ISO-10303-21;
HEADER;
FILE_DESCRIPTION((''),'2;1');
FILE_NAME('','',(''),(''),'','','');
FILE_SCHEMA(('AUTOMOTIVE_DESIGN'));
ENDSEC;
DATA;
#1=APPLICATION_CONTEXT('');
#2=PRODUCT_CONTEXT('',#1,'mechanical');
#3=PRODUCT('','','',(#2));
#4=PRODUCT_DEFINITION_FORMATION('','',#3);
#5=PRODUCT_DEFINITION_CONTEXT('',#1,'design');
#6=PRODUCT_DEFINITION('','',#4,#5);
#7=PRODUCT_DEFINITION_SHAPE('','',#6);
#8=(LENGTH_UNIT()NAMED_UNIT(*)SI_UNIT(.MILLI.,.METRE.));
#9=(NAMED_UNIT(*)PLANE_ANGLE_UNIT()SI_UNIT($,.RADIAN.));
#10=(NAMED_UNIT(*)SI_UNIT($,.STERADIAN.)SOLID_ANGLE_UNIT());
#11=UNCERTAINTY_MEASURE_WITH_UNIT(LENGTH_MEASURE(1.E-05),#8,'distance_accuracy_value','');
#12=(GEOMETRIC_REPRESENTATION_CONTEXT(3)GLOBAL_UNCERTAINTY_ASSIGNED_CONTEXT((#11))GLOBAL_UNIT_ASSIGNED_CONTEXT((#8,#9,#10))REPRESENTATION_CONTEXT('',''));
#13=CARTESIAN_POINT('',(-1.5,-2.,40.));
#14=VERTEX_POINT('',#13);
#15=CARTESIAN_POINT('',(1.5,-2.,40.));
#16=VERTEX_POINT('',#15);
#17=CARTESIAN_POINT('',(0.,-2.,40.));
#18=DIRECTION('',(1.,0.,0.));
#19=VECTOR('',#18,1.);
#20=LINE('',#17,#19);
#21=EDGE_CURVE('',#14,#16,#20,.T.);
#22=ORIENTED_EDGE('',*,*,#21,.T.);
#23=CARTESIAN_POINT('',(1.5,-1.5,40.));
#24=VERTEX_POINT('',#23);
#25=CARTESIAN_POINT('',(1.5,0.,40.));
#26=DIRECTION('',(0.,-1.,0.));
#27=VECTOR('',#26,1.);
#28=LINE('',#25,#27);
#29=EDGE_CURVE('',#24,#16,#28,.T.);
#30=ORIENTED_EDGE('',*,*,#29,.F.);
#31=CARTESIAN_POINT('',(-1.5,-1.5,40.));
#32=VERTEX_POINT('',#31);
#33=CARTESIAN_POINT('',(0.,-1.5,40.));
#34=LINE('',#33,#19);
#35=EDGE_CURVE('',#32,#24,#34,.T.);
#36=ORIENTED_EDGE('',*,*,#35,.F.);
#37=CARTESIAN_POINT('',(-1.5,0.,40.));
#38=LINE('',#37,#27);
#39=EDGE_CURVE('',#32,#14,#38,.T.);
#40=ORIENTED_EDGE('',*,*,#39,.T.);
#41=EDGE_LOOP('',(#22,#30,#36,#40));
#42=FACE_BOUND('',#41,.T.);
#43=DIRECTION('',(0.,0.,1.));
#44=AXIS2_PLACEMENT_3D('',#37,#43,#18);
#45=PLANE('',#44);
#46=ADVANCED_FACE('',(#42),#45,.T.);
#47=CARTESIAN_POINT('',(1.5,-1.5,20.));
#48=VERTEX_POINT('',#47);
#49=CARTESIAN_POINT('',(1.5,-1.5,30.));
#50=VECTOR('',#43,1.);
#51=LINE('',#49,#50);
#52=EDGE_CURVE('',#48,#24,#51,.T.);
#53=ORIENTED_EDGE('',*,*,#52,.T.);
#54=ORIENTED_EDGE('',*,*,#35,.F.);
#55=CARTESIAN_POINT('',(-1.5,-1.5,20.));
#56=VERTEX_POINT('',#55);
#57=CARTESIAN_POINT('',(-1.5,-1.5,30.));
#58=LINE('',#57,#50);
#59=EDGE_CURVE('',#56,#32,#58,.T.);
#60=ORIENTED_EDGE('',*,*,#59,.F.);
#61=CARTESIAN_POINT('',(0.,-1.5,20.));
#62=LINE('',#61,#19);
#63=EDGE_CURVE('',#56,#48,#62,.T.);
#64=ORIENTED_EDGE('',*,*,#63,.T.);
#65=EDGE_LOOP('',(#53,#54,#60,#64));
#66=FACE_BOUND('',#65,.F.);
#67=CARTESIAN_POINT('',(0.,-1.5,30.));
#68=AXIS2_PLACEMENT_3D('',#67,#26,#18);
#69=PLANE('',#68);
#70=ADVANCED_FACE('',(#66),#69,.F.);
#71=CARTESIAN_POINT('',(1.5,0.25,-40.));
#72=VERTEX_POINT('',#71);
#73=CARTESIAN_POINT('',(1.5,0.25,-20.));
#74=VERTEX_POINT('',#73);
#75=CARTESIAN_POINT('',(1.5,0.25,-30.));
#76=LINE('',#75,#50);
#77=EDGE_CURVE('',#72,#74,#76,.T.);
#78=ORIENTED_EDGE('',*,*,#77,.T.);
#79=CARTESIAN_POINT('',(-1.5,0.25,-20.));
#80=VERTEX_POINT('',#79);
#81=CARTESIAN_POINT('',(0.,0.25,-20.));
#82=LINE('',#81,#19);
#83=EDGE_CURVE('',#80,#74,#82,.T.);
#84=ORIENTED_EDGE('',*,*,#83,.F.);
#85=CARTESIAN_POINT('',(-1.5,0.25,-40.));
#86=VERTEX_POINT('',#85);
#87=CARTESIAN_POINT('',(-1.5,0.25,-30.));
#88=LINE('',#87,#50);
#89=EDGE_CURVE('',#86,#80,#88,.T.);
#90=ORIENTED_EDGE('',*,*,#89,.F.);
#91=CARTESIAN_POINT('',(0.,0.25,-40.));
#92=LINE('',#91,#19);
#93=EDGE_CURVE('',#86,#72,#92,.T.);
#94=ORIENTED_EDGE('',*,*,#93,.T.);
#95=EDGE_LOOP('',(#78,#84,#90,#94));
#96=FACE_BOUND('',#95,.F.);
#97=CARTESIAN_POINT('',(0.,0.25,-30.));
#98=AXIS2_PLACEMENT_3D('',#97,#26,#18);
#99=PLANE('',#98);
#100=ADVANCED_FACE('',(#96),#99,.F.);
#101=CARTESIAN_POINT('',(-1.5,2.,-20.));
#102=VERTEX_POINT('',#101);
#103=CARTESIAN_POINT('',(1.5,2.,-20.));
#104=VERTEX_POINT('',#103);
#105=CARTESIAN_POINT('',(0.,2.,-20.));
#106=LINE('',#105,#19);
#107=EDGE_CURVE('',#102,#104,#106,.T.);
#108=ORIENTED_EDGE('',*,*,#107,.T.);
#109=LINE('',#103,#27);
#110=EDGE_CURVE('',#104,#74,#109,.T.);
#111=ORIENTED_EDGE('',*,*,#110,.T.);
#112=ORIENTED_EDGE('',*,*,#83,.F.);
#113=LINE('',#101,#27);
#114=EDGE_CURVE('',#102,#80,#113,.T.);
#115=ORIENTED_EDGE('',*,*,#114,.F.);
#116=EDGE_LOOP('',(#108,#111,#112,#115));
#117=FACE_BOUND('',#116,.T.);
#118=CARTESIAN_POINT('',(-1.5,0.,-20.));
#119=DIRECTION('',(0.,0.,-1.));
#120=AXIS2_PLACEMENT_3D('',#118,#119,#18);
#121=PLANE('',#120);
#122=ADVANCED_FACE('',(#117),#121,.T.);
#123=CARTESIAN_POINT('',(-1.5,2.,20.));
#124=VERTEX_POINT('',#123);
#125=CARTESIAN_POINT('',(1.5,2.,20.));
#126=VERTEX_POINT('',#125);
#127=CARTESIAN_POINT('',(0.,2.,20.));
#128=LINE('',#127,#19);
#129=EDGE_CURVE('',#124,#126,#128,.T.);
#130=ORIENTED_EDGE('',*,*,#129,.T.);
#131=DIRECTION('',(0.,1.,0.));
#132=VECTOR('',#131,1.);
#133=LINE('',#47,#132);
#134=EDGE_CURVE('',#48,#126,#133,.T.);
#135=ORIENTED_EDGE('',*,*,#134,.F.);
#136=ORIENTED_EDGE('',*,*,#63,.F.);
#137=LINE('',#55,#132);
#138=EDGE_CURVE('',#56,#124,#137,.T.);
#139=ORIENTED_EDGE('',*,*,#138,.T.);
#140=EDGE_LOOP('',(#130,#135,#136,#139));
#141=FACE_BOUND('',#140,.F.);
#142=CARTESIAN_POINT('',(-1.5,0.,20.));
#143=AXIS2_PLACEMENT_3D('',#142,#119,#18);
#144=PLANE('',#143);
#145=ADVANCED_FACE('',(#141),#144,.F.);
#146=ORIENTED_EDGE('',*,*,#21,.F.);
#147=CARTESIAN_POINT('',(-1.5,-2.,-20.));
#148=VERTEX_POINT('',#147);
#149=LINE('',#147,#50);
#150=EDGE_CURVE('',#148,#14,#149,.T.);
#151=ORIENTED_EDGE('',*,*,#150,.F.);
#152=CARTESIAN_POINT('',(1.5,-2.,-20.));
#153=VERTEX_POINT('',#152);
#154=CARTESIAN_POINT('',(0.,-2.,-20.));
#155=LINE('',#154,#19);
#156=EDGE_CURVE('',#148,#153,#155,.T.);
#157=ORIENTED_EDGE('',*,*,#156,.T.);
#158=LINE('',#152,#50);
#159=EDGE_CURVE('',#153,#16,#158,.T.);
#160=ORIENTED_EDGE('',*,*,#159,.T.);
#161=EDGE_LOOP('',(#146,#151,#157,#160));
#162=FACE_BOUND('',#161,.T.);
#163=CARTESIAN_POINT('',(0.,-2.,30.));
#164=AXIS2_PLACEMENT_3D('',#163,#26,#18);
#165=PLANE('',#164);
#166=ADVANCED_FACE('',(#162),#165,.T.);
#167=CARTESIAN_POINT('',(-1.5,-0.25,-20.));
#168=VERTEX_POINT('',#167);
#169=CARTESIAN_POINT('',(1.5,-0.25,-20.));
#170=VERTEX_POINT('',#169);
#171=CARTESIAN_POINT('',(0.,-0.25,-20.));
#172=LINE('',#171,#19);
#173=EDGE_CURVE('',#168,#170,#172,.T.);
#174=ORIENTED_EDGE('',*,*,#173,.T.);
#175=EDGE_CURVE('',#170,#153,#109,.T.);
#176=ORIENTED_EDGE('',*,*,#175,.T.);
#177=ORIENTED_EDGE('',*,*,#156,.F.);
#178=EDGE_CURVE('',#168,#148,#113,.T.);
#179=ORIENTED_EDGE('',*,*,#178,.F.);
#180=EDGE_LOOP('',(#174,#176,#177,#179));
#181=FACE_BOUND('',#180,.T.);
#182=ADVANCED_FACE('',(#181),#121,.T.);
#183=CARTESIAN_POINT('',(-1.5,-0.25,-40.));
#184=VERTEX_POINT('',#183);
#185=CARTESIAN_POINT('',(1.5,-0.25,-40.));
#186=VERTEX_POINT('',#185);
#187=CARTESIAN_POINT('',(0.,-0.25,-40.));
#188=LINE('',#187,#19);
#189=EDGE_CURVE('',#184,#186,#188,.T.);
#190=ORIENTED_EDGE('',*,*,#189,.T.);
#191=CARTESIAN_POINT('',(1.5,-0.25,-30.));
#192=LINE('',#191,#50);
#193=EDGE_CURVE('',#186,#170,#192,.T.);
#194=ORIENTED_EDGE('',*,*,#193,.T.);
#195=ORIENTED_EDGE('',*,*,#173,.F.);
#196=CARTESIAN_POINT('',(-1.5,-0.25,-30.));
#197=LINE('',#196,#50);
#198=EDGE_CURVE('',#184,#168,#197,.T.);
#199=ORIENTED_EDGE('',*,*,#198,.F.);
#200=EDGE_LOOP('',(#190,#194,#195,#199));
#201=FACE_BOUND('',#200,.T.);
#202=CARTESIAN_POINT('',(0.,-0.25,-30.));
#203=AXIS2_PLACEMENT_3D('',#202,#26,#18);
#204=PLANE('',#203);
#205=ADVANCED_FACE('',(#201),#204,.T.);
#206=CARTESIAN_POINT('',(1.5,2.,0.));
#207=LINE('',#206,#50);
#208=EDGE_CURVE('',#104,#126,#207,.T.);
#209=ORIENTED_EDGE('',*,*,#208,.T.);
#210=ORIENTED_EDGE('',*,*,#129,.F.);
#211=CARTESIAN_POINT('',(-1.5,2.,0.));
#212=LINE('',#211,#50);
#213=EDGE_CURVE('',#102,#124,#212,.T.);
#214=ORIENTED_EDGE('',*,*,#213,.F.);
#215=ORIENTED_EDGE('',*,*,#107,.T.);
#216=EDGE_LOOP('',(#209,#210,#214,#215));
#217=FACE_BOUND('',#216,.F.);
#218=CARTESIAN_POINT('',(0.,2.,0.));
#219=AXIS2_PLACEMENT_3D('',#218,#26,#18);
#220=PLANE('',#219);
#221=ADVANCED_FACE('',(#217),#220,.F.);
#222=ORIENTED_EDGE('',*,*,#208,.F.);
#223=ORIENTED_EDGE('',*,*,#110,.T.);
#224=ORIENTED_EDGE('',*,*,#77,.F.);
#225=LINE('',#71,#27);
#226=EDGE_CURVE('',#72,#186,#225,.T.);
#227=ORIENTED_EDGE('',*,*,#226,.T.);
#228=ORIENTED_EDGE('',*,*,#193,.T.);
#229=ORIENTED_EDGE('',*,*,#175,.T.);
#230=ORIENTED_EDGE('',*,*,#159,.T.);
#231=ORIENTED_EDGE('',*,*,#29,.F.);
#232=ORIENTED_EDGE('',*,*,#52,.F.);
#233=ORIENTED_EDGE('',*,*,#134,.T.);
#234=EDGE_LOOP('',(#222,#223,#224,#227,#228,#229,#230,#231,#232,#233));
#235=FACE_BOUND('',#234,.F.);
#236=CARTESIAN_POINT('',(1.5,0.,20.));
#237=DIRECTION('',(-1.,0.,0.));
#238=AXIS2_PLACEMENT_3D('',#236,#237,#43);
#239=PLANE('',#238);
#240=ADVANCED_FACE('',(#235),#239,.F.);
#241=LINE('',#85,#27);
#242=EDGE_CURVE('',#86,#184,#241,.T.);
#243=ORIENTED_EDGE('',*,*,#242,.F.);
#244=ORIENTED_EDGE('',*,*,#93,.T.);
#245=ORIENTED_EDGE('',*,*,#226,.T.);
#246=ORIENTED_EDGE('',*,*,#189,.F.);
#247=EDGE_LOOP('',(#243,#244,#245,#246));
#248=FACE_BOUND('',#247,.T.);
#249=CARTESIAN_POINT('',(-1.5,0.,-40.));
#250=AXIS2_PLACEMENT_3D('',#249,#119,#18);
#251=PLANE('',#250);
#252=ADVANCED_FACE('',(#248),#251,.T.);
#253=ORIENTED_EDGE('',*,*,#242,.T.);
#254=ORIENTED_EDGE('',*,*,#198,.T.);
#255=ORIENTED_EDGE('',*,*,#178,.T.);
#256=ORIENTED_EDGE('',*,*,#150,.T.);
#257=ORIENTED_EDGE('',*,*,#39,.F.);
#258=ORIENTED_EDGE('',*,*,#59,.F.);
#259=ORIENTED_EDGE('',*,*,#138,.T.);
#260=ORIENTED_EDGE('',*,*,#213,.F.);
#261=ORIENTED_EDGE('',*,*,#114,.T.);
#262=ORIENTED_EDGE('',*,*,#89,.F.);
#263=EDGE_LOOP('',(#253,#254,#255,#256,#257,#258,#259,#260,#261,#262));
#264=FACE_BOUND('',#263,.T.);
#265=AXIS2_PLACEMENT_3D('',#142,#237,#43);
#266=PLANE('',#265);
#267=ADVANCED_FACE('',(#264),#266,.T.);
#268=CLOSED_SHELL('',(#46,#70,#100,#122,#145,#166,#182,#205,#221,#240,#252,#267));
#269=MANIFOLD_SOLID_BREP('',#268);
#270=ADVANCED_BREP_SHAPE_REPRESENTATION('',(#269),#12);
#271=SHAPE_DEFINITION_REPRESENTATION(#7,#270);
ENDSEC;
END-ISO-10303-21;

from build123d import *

# Parameters (mm, degrees)
F0_W     = 3
F0_H     = 20
F1_DEPTH = 0.25
F2_W     = 3
F2_H     = 40
F3_DEPTH = 2
F4_W     = 3
F4_H     = 20
F5_DEPTH = 2
F6_DEPTH = 1.5


with BuildPart() as f1:
    # F0 (on Front) → F1 (new body, symmetric)
    with BuildSketch(Plane.XZ):
        with Locations((0, -30)):
            Rectangle(F0_W, F0_H)
    extrude(amount=F1_DEPTH, both=True)

    # F2 (on Front) → F3 (join, symmetric)
    with BuildSketch(Plane.XZ):
        Rectangle(F2_W, F2_H)
    extrude(amount=F3_DEPTH, both=True)

    # F4 (on Front) → F5 (join)
    with BuildSketch(Plane.XZ):
        with Locations((0, 30)):
            Rectangle(F4_W, F4_H)
    extrude(amount=F5_DEPTH)

    # F4 (on Front) → F6 (cut)
    with BuildSketch(Plane.XZ):
        with Locations((0, 30)):
            Rectangle(F4_W, F4_H)
    extrude(amount=F6_DEPTH, mode=Mode.SUBTRACT)


solid = f1.part
